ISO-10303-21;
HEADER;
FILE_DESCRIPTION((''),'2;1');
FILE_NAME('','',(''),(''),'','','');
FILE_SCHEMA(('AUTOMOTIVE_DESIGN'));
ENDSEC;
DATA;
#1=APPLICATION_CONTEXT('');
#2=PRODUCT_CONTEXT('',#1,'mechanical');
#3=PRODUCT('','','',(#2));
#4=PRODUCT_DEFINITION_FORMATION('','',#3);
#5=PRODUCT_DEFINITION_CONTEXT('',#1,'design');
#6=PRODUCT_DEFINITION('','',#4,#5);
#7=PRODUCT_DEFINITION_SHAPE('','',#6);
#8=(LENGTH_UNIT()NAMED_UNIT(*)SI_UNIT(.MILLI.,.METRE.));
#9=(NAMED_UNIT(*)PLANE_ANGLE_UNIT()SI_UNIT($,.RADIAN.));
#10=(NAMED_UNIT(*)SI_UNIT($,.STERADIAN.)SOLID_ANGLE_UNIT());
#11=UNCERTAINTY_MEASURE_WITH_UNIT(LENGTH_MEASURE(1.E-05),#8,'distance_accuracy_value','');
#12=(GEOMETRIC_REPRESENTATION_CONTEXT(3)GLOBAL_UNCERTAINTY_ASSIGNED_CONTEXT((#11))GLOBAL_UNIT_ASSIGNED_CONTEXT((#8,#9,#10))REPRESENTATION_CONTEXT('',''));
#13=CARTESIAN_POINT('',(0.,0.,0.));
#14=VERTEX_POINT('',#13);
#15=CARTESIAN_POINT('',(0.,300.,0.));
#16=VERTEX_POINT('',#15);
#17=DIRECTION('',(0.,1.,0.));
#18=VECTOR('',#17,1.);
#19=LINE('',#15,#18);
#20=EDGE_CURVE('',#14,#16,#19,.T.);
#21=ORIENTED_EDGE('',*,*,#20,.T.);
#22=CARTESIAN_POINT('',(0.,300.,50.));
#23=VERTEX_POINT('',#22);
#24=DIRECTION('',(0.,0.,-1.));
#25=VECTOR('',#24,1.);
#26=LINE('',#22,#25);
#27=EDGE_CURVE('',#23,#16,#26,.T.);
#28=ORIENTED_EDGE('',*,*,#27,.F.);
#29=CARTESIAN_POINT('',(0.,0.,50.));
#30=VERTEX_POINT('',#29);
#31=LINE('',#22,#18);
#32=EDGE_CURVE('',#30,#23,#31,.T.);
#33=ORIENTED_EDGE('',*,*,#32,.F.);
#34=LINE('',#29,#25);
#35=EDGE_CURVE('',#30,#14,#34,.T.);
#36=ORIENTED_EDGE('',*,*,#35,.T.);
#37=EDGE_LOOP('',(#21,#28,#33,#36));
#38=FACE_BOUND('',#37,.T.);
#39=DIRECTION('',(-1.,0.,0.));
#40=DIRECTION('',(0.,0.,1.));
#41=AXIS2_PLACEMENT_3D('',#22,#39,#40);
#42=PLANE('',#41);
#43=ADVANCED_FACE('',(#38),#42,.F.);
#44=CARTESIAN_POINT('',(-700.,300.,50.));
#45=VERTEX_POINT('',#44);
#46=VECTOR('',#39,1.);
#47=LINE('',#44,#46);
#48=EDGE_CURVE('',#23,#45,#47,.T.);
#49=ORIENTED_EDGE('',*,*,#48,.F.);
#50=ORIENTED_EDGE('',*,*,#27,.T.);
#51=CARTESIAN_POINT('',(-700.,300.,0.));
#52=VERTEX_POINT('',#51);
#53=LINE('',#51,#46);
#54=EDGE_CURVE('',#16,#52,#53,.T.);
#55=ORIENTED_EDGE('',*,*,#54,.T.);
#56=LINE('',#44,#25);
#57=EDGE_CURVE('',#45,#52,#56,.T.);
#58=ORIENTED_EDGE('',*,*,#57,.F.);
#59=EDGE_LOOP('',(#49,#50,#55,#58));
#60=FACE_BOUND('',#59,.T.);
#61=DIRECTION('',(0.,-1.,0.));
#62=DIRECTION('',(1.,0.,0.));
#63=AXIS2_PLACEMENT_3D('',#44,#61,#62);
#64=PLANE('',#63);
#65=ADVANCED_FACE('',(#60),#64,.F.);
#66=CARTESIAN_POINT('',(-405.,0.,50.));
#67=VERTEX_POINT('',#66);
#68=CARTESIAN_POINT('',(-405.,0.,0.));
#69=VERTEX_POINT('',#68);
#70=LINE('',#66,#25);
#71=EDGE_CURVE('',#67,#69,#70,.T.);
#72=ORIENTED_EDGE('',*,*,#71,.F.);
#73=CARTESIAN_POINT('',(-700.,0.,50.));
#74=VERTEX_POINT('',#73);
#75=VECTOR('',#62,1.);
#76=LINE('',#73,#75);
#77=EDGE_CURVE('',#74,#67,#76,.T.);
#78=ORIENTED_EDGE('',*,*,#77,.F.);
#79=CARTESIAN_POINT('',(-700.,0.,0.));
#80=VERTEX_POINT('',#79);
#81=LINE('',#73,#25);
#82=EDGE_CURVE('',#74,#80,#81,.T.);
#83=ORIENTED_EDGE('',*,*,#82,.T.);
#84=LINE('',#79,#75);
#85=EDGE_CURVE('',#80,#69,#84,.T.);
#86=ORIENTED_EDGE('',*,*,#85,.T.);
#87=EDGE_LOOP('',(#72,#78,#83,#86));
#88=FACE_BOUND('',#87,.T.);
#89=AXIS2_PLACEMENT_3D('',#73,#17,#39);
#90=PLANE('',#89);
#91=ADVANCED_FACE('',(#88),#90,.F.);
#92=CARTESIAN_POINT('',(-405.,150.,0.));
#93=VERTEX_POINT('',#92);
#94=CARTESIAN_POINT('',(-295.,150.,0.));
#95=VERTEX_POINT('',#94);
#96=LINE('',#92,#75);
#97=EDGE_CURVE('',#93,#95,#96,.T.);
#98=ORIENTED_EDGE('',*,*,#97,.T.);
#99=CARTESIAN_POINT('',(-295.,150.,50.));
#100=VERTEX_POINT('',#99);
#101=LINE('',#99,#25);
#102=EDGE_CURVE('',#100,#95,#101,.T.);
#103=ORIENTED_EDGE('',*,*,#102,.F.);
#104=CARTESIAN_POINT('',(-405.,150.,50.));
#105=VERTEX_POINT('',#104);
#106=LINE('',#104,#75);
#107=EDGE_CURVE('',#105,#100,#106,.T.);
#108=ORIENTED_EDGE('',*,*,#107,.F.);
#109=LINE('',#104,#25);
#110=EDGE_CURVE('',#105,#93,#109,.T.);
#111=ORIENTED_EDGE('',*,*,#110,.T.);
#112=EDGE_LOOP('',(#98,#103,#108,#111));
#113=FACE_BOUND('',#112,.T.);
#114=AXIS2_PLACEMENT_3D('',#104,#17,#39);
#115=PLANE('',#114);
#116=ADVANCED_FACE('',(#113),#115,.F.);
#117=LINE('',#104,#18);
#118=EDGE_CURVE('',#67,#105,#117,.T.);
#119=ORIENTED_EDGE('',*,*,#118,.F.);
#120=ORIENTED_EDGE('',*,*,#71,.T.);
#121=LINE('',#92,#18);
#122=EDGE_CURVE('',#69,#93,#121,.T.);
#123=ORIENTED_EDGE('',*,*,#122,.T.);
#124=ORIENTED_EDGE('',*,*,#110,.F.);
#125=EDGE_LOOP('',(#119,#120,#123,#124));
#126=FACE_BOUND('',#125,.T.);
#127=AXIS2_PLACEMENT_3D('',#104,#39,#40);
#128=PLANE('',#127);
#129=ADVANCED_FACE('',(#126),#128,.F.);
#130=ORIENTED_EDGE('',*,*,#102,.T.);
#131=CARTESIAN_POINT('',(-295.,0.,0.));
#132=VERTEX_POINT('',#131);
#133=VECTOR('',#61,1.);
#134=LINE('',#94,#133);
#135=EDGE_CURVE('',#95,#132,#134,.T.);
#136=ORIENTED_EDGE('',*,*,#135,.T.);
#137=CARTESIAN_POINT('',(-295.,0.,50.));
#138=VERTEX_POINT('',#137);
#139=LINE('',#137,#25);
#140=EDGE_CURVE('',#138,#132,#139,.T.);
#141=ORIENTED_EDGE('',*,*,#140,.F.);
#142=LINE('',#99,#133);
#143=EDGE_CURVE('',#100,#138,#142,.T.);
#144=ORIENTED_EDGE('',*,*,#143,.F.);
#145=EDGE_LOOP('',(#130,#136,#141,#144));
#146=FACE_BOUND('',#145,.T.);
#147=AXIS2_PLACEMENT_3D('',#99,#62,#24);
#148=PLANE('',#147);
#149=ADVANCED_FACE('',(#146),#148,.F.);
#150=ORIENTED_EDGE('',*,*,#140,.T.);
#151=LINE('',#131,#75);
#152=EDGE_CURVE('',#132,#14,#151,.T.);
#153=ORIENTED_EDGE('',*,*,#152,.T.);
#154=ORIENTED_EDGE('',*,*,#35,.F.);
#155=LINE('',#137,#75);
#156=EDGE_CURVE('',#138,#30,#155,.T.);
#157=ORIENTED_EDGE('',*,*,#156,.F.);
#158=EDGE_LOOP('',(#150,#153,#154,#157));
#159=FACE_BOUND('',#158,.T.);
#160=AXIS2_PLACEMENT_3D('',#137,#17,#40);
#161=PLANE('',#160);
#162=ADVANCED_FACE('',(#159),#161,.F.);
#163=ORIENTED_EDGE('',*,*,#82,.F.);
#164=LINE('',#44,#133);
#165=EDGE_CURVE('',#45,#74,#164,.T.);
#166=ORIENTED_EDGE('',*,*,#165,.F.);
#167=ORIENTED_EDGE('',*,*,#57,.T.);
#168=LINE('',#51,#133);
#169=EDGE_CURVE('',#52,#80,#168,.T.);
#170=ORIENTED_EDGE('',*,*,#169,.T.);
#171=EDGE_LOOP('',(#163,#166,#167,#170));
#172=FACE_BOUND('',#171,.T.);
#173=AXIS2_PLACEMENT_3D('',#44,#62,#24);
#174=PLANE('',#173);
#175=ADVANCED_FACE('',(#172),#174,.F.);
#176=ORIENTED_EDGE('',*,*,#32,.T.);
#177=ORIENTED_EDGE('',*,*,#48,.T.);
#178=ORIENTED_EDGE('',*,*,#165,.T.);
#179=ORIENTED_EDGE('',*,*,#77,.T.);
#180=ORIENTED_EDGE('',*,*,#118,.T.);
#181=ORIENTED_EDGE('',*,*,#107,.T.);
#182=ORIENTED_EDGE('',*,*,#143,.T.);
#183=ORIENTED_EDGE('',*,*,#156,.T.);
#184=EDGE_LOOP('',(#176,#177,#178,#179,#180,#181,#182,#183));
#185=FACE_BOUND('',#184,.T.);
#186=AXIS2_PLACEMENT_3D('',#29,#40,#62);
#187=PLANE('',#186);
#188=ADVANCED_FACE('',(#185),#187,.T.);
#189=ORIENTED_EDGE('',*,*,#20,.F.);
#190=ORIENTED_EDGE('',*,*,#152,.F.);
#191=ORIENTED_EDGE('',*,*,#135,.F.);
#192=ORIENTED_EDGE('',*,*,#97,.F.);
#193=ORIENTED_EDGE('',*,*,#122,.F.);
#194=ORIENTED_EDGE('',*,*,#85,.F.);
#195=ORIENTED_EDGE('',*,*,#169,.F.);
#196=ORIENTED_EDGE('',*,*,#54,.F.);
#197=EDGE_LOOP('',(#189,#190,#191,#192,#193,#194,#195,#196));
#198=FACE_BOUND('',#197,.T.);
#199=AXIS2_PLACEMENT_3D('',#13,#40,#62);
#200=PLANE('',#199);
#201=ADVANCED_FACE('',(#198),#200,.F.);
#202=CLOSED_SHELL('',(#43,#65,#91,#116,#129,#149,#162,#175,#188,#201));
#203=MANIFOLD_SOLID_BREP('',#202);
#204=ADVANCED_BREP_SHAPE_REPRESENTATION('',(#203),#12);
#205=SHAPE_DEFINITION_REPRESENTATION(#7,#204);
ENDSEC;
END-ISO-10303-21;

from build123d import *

# Parameters (mm, degrees)
BOSS_EXTRUDE1_DEPTH = 50


with BuildPart() as part:
    # Sketch1 → Boss-Extrude1 (new body)
    with BuildSketch(Plane.XY):
        Polygon((-295, 0), (0, 0), (0, 300), (-700, 300), (-700, 0), (-405, 0), (-405, 150), (-295, 150), align=None)
    extrude(amount=BOSS_EXTRUDE1_DEPTH)


solid = part.part
